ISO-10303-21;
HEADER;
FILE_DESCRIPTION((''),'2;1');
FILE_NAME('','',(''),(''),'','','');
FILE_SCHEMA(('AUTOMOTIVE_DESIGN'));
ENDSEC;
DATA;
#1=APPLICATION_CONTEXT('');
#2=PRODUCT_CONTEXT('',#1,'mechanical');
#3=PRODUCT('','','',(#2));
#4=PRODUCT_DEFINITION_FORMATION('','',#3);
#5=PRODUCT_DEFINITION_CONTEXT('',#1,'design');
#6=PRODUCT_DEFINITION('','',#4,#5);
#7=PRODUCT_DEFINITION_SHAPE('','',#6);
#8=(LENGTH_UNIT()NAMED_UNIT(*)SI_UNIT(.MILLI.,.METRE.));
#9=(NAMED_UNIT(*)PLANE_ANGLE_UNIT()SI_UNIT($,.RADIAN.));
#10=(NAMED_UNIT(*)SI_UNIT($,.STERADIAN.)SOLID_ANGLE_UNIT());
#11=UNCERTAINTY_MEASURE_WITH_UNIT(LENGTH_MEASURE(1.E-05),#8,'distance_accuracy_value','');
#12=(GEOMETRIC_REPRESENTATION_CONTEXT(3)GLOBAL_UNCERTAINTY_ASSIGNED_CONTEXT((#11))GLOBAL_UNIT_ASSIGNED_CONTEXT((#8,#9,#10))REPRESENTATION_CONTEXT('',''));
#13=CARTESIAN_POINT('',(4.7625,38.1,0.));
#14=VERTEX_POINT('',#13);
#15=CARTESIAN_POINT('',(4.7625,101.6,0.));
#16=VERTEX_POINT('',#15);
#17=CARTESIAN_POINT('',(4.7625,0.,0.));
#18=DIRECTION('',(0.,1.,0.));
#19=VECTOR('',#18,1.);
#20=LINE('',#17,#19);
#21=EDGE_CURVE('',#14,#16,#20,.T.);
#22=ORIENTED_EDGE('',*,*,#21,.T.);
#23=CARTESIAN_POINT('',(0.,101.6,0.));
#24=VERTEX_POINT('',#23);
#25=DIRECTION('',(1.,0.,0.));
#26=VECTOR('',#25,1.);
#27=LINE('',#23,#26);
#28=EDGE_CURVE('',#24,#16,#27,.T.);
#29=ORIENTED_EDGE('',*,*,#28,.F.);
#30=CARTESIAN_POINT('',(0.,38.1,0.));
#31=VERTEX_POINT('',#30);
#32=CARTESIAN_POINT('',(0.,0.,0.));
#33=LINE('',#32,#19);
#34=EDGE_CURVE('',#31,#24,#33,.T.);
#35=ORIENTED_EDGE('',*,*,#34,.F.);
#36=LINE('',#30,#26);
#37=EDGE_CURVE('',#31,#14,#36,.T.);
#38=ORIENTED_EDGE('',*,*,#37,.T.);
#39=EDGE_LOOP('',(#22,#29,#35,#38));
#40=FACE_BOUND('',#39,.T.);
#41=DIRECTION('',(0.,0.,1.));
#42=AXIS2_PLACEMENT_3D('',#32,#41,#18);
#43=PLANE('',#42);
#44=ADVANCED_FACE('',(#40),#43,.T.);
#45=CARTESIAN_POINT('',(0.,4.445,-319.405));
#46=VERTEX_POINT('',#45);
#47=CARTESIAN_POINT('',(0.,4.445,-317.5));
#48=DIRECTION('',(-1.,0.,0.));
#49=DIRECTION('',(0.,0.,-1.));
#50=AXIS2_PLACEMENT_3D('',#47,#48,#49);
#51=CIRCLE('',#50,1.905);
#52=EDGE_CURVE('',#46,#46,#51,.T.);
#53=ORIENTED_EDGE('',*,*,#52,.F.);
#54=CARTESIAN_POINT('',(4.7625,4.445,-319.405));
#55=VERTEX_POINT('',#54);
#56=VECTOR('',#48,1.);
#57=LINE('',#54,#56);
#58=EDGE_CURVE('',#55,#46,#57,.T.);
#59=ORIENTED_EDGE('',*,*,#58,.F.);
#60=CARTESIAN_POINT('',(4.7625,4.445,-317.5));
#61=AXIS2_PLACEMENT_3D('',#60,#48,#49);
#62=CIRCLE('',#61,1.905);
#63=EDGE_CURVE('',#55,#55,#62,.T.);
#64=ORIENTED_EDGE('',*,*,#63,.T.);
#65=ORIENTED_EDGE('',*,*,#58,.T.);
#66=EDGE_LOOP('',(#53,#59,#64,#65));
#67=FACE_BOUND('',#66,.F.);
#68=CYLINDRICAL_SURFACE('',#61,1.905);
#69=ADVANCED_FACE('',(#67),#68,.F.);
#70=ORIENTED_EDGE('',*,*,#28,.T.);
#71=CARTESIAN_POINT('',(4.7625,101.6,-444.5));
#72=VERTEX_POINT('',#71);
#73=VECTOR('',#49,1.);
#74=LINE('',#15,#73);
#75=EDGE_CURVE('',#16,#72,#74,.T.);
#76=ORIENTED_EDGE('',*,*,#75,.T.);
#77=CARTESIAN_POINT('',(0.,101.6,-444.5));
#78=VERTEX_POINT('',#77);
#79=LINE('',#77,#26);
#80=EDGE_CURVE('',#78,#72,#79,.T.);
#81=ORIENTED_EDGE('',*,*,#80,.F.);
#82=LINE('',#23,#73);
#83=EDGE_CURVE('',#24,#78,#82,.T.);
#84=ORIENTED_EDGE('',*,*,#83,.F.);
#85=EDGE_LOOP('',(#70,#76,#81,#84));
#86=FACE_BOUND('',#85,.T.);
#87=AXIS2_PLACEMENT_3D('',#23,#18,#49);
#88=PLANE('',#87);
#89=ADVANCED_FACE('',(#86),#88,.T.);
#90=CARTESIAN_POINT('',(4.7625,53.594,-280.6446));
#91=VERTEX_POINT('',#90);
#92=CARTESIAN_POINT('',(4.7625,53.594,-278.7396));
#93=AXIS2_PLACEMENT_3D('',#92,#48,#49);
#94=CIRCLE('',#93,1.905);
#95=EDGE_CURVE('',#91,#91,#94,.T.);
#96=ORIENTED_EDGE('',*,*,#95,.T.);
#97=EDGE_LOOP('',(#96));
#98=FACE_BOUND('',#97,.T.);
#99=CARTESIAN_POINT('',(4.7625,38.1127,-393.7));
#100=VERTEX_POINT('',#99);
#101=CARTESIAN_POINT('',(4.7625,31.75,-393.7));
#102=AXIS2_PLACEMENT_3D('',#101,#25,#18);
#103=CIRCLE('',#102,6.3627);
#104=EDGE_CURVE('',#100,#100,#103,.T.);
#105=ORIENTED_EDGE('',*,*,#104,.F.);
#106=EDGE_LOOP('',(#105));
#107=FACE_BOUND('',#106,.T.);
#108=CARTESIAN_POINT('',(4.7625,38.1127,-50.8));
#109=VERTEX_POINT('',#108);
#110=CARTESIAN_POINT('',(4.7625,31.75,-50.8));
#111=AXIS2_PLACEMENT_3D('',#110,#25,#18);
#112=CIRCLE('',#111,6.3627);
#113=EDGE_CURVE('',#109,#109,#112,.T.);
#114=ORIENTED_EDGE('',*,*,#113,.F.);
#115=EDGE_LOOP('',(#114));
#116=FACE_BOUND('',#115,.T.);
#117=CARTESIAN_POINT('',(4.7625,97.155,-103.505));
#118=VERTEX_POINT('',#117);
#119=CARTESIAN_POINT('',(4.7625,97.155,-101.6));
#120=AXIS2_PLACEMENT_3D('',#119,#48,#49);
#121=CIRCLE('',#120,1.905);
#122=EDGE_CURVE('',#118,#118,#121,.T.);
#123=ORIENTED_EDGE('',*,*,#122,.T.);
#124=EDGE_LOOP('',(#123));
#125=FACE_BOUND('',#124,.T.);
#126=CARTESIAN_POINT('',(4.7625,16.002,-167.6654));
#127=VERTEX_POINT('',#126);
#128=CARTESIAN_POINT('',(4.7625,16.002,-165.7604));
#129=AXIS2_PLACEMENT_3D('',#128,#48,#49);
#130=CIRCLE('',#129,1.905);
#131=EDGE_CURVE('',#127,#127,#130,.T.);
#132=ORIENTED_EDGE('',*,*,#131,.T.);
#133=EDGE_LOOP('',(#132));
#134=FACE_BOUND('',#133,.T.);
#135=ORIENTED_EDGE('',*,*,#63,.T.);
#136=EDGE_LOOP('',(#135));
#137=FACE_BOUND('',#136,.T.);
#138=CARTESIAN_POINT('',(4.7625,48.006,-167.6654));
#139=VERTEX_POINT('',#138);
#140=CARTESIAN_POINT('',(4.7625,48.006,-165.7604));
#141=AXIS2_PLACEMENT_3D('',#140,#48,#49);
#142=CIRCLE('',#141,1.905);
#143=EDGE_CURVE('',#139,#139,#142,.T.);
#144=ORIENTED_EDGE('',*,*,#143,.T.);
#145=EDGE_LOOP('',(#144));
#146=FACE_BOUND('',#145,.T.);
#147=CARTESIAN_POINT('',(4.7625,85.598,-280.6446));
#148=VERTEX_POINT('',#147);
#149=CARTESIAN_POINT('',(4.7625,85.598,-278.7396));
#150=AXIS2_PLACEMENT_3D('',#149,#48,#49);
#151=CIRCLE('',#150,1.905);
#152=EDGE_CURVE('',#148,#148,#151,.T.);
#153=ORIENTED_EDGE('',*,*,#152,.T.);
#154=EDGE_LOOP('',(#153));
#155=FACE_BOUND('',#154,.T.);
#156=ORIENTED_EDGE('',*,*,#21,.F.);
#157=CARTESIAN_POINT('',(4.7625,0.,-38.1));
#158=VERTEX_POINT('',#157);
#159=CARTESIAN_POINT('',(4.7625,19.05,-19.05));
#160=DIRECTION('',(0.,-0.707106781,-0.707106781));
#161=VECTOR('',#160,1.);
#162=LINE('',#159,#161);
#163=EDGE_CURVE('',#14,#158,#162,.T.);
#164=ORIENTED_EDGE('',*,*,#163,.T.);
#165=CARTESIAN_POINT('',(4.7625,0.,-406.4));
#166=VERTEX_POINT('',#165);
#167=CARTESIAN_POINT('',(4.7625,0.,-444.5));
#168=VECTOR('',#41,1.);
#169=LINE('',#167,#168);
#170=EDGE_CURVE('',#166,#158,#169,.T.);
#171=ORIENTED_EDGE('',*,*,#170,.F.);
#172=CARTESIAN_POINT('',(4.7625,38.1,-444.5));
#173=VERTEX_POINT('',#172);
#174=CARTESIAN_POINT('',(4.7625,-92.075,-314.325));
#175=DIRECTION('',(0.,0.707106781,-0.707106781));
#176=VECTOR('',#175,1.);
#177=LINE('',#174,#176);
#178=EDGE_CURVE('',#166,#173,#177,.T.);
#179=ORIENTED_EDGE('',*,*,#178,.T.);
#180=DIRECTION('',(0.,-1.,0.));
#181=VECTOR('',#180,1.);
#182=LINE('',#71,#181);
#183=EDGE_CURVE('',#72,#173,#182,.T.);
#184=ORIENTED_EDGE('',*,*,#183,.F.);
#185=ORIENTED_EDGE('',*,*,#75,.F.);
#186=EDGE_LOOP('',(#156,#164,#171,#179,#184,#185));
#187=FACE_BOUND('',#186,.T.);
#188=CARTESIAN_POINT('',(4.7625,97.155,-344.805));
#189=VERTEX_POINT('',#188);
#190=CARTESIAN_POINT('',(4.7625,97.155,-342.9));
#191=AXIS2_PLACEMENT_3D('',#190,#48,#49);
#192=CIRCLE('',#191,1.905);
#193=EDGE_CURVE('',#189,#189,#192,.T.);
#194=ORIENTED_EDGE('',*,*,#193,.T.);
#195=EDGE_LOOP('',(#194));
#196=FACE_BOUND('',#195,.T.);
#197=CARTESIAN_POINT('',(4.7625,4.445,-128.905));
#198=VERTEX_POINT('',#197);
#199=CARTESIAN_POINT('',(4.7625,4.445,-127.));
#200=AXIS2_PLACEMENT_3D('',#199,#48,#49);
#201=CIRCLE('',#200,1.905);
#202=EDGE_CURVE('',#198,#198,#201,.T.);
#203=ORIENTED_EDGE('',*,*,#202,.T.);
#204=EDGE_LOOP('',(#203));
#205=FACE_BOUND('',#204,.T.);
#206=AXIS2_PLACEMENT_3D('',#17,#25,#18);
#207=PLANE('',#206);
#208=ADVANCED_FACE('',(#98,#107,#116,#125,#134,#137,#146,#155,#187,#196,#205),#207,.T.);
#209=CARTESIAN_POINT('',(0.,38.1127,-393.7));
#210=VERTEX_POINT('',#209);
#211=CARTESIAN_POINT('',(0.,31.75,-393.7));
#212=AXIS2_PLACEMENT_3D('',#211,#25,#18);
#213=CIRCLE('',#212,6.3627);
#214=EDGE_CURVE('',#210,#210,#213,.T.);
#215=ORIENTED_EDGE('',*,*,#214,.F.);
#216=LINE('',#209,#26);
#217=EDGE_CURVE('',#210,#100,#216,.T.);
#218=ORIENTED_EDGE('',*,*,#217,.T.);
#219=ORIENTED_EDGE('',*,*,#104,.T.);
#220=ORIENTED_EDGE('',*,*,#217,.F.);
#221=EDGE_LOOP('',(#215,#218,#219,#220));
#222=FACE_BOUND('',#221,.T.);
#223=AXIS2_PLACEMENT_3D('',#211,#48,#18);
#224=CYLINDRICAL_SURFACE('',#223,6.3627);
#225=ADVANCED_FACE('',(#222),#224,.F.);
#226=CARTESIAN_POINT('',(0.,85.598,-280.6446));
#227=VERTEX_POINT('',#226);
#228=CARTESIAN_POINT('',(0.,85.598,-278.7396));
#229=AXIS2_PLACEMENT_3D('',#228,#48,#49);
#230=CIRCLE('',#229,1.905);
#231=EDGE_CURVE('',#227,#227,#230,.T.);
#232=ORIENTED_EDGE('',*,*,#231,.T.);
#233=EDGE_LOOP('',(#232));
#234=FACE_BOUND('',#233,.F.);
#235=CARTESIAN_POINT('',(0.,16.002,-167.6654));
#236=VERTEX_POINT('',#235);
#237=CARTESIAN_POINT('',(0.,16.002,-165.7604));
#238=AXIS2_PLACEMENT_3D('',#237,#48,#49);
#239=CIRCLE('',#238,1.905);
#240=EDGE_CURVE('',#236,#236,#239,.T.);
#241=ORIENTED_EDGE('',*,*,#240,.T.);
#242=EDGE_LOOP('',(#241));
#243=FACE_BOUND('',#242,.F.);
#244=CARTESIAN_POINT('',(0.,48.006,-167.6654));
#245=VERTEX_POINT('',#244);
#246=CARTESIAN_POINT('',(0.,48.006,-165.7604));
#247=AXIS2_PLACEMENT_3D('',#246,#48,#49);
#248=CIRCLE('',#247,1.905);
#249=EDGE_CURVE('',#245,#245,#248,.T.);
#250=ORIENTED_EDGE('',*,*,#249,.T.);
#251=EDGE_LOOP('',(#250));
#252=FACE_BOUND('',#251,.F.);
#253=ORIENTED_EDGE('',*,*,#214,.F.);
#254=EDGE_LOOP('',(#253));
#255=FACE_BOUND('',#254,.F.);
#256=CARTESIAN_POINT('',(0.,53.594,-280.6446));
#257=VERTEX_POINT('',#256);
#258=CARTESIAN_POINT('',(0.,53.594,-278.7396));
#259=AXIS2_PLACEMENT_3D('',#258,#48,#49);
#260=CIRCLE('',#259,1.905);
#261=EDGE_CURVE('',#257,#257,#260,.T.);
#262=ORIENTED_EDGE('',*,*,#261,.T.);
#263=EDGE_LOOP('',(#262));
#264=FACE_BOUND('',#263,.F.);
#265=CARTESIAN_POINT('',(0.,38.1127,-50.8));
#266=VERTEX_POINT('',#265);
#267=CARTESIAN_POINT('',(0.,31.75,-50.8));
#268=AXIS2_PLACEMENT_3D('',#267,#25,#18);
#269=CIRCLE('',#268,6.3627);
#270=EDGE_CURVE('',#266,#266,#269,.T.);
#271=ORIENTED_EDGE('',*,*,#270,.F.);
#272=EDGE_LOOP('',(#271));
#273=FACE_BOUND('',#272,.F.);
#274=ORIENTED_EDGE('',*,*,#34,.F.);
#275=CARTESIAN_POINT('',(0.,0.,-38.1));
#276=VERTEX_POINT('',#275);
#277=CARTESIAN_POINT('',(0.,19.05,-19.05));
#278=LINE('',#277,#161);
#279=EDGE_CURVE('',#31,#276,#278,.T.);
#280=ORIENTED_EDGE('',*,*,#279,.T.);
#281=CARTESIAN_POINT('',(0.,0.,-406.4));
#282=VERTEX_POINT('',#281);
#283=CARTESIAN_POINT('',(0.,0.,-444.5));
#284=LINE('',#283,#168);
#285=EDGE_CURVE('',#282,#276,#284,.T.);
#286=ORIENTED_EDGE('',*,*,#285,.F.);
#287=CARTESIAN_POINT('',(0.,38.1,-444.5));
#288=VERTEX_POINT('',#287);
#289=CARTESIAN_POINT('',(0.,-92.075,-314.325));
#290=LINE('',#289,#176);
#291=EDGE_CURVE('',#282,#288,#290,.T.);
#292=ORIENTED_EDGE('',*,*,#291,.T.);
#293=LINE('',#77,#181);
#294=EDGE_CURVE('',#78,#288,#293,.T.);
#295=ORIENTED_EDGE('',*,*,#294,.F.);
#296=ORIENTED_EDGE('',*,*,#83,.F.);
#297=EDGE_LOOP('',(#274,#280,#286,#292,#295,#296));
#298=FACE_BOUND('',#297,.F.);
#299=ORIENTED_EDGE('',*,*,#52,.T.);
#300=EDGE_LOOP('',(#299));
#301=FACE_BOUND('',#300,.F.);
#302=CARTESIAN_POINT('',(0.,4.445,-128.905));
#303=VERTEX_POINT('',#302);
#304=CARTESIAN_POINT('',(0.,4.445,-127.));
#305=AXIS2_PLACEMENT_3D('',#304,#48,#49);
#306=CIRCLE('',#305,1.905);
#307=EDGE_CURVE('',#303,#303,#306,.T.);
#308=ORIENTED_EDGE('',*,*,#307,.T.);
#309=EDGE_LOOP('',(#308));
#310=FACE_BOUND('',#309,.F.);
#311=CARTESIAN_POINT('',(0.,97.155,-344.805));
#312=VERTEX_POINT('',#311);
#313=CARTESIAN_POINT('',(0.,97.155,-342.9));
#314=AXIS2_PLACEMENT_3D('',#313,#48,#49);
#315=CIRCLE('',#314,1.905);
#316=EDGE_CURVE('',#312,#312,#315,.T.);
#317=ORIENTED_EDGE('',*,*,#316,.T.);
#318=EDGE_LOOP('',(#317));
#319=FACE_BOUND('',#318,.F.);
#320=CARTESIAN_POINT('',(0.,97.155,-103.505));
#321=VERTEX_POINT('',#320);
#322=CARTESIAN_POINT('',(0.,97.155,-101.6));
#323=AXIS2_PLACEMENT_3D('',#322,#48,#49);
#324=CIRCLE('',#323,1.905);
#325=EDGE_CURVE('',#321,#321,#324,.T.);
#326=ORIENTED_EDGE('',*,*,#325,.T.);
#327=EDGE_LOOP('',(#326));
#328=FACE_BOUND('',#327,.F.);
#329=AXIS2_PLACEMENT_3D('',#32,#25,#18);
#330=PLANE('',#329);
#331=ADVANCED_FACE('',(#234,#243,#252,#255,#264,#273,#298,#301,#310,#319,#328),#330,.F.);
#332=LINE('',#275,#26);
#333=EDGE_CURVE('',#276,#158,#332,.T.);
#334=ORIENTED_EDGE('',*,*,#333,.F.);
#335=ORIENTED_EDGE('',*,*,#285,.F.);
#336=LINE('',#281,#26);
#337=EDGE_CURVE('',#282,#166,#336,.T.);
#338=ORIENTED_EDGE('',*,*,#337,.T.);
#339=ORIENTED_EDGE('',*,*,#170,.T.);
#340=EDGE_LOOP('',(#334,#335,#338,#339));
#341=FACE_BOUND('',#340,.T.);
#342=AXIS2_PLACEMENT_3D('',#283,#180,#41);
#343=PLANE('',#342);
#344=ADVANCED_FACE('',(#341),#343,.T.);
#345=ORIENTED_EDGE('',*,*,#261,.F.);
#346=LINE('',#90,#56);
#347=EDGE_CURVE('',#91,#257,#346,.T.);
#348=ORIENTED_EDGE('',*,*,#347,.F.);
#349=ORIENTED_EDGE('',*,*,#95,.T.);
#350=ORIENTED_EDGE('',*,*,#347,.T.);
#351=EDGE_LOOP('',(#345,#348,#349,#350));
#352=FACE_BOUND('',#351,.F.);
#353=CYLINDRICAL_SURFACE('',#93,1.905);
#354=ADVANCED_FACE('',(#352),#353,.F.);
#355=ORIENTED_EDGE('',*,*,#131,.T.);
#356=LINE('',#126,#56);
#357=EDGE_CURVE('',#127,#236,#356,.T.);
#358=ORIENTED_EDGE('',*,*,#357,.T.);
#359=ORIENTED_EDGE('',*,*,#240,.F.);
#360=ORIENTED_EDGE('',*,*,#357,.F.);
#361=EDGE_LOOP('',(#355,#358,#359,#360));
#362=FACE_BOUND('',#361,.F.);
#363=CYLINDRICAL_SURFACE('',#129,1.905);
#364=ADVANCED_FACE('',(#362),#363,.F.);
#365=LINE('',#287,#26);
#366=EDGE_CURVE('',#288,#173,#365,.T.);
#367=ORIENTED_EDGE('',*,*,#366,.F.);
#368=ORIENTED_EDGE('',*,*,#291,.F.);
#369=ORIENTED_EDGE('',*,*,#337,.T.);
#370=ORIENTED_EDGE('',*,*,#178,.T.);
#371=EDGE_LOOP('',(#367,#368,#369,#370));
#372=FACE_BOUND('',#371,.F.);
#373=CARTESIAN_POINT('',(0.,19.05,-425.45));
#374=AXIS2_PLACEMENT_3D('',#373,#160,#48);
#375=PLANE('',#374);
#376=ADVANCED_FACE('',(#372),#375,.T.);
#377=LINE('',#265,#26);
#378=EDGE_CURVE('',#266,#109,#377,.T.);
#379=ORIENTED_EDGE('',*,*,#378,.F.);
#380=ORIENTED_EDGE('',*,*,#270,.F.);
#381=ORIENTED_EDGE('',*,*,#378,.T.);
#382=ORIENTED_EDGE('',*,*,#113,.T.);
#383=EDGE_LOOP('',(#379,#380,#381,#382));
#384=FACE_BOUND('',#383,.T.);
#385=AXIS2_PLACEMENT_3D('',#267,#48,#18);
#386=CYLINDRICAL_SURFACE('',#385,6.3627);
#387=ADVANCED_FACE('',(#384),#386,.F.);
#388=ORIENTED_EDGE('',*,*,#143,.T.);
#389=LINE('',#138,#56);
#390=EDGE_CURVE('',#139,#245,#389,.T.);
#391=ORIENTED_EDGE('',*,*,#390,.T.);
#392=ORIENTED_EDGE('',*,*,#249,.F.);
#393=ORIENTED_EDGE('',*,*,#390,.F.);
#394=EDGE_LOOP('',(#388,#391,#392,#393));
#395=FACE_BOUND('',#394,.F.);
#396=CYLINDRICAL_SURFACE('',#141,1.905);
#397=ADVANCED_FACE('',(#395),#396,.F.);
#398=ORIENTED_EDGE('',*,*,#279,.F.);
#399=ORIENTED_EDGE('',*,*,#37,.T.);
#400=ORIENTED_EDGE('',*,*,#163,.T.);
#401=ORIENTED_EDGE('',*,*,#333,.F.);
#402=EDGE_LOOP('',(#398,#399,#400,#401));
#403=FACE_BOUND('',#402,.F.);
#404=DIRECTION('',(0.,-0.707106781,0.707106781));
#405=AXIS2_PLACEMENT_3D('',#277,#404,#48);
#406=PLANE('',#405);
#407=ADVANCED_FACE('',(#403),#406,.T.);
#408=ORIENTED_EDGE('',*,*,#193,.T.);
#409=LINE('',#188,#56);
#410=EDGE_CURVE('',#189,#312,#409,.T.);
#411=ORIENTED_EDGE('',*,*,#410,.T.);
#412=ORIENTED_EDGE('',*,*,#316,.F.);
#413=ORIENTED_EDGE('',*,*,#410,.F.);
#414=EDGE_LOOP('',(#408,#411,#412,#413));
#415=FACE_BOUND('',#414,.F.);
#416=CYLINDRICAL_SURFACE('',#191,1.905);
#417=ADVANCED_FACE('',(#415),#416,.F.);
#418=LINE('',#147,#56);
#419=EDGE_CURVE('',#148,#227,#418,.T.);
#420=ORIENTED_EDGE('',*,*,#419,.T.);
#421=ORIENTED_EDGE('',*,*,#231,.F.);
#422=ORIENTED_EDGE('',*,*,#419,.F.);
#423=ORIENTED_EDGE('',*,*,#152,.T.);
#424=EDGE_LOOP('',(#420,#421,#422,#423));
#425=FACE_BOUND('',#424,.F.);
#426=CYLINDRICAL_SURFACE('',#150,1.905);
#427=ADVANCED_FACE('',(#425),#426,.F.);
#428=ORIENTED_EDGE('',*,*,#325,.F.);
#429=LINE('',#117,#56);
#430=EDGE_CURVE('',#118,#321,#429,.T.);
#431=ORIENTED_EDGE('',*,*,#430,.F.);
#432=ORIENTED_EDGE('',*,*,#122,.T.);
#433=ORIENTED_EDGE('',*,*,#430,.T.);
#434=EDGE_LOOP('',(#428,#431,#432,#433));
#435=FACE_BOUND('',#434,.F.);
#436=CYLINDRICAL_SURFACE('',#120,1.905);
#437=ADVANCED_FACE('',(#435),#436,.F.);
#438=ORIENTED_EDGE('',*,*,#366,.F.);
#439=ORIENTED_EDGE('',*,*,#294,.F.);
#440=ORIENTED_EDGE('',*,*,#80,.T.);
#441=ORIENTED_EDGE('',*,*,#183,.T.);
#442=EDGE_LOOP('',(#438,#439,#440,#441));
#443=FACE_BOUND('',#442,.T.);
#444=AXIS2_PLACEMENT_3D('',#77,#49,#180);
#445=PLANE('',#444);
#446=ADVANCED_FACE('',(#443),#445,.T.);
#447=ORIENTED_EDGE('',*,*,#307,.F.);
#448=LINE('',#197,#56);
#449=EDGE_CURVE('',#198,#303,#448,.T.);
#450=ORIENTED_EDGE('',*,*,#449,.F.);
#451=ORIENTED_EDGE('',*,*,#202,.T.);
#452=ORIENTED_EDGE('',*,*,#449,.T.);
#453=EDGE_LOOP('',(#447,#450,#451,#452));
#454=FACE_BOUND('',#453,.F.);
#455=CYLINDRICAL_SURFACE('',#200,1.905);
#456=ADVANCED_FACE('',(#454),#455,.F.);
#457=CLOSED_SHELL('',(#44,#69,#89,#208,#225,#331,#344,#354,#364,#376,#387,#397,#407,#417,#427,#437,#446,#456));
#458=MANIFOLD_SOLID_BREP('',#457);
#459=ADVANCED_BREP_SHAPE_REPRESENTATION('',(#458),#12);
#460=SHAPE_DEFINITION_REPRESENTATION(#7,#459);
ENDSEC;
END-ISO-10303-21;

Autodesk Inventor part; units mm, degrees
ref_plane "YZ Plane" through (0, 0, 0) normal (1, 0, 0) x (0, 1, 0)
ref_plane "XZ Plane" through (0, 0, 0) normal (0, 1, 0) x (-1, 0, 0)
ref_plane "XY Plane" through (0, 0, 0) normal (0, 0, 1) x (1, 0, 0)
sketch "Sketch1" plane through (0, 0, 0) normal (1, 0, 0) x (0, 1, 0)
  line L0 (0, 0) -> (101.6, 0)
  line L1 (101.6, 0) -> (101.6, -444.5)
  line L2 (101.6, -444.5) -> (0, -444.5)
  line L3 (0, -444.5) -> (0, 0)
  circle A0 centre (31.75, -50.8) radius 6.3627
  circle A1 centre (31.75, -393.7) radius 6.3627
  circle A2 centre (86.2838, -165.5318) radius 1.5875
  circle A3 centre (70.2818, -165.5318) radius 1.5875
  circle A4 centre (15.3162, -278.9682) radius 1.5875
  circle A5 centre (31.3182, -278.9682) radius 1.5875
  dimension "d0" = 101.6
  dimension "d1" = 444.5
  dimension "d2" = 12.7254
  dimension "d3" = 31.75
  dimension "d4" = 50.8
  dimension "d5" = 50.8
  dimension "d22" = 165.5318
  dimension "d23" = 3.175
  dimension "d24" = 15.3162
  dimension "d25" = 3.175
  dimension "d26" = 16.002
  dimension "d27" = 165.5318
  dimension "d28" = 3.175
  dimension "d29" = 15.3162
  dimension "d30" = 165.5318
  dimension "d31" = 3.175
  dimension "d32" = 16.002
  dimension "d33" = 165.5318
extrude "Extrusion1" add sketch "Sketch1" along normal blind 4.7625 contours L0 L1 L2 L3 | A2 | A3 | A4 | A5
chamfer "Chamfer1" distance 38.1 angle 45 1 edges at (2.3813, 0, 0)
chamfer "Chamfer2" distance 38.1 angle 45 1 edges at (2.3813, 0, -444.5)
sketch "Sketch6" plane through (4.7625, 0, 0) normal (1, 0, 0) x (0, 0, -1)
  line L0 (444.5, 38.1) -> (406.4, 0) projected
  line L1 (444.5, 38.1) -> (444.5, 101.6) projected
  line L2 (444.5, 101.6) -> (0, 101.6) projected
  line L3 (0, 101.6) -> (0, 38.1) projected
  line L4 (38.1, 0) -> (0, 38.1) projected
  line L5 (38.1, 0) -> (406.4, 0) projected
  circle A0 centre (393.7, 31.75) radius 6.3627 projected
  circle A1 centre (50.8, 31.75) radius 6.3627 projected
  point P0 (0, 0)
  point P1 (165.7604, 48.006)
  point P2 (165.7604, 16.002)
  point P3 (278.7396, 85.598)
  point P4 (278.7396, 53.594)
  dimension "d80" = 32.004
  dimension "d83" = 16.002
  dimension "d86" = 32.004
  dimension "d87" = 16.002
hole "Hole1" at (4.7625, 48.006, -165.7604) at (4.7625, 16.002, -165.7604) at (4.7625, 85.598, -278.7396) at (4.7625, 53.594, -278.7396) direction (-1, 0, 0) diameter 3.81 end through all
sketch "Sketch7" plane through (4.7625, 0, 0) normal (1, 0, 0) x (0, 0, -1)
  circle A0 centre (278.7396, 85.598) radius 1.905 projected
  circle A1 centre (165.7604, 48.006) radius 1.905 projected
  circle A2 centre (165.7604, 16.002) radius 1.905 projected
  circle A3 centre (278.7396, 53.594) radius 1.905 projected
  line L0 (444.5, 38.1) -> (406.4, 0) projected
  line L1 (444.5, 38.1) -> (444.5, 101.6) projected
  line L2 (444.5, 101.6) -> (0, 101.6) projected
  line L3 (0, 101.6) -> (0, 38.1) projected
  line L4 (38.1, 0) -> (0, 38.1) projected
  line L5 (38.1, 0) -> (406.4, 0) projected
  circle A4 centre (393.7, 31.75) radius 6.3627 projected
  circle A5 centre (50.8, 31.75) radius 6.3627 projected
  point P0 (0, 0)
  point P1 (101.6, 97.155)
  point P2 (342.9, 97.155)
  point P3 (127, 4.445)
  point P4 (317.5, 4.445)
  dimension "d95" = 4.445
  dimension "d96" = 4.445
  dimension "d97" = 4.445
  dimension "d98" = 4.445
  dimension "d99" = 101.6
  dimension "d100" = 101.6
  dimension "d101" = 127
  dimension "d102" = 127
hole "Hole2" at (4.7625, 97.155, -101.6) at (4.7625, 97.155, -342.9) at (4.7625, 4.445, -127) at (4.7625, 4.445, -317.5) direction (-1, 0, 0) diameter 3.81 depth 25.4 tip angle 118
equation "\"d96\" = d95"
equation "\"d97\" = d95"
equation "\"d98\" = d95"
equation "\"d100\" = d99"
properties part number "DriveTrain3.0" material "Aluminum 6061"
